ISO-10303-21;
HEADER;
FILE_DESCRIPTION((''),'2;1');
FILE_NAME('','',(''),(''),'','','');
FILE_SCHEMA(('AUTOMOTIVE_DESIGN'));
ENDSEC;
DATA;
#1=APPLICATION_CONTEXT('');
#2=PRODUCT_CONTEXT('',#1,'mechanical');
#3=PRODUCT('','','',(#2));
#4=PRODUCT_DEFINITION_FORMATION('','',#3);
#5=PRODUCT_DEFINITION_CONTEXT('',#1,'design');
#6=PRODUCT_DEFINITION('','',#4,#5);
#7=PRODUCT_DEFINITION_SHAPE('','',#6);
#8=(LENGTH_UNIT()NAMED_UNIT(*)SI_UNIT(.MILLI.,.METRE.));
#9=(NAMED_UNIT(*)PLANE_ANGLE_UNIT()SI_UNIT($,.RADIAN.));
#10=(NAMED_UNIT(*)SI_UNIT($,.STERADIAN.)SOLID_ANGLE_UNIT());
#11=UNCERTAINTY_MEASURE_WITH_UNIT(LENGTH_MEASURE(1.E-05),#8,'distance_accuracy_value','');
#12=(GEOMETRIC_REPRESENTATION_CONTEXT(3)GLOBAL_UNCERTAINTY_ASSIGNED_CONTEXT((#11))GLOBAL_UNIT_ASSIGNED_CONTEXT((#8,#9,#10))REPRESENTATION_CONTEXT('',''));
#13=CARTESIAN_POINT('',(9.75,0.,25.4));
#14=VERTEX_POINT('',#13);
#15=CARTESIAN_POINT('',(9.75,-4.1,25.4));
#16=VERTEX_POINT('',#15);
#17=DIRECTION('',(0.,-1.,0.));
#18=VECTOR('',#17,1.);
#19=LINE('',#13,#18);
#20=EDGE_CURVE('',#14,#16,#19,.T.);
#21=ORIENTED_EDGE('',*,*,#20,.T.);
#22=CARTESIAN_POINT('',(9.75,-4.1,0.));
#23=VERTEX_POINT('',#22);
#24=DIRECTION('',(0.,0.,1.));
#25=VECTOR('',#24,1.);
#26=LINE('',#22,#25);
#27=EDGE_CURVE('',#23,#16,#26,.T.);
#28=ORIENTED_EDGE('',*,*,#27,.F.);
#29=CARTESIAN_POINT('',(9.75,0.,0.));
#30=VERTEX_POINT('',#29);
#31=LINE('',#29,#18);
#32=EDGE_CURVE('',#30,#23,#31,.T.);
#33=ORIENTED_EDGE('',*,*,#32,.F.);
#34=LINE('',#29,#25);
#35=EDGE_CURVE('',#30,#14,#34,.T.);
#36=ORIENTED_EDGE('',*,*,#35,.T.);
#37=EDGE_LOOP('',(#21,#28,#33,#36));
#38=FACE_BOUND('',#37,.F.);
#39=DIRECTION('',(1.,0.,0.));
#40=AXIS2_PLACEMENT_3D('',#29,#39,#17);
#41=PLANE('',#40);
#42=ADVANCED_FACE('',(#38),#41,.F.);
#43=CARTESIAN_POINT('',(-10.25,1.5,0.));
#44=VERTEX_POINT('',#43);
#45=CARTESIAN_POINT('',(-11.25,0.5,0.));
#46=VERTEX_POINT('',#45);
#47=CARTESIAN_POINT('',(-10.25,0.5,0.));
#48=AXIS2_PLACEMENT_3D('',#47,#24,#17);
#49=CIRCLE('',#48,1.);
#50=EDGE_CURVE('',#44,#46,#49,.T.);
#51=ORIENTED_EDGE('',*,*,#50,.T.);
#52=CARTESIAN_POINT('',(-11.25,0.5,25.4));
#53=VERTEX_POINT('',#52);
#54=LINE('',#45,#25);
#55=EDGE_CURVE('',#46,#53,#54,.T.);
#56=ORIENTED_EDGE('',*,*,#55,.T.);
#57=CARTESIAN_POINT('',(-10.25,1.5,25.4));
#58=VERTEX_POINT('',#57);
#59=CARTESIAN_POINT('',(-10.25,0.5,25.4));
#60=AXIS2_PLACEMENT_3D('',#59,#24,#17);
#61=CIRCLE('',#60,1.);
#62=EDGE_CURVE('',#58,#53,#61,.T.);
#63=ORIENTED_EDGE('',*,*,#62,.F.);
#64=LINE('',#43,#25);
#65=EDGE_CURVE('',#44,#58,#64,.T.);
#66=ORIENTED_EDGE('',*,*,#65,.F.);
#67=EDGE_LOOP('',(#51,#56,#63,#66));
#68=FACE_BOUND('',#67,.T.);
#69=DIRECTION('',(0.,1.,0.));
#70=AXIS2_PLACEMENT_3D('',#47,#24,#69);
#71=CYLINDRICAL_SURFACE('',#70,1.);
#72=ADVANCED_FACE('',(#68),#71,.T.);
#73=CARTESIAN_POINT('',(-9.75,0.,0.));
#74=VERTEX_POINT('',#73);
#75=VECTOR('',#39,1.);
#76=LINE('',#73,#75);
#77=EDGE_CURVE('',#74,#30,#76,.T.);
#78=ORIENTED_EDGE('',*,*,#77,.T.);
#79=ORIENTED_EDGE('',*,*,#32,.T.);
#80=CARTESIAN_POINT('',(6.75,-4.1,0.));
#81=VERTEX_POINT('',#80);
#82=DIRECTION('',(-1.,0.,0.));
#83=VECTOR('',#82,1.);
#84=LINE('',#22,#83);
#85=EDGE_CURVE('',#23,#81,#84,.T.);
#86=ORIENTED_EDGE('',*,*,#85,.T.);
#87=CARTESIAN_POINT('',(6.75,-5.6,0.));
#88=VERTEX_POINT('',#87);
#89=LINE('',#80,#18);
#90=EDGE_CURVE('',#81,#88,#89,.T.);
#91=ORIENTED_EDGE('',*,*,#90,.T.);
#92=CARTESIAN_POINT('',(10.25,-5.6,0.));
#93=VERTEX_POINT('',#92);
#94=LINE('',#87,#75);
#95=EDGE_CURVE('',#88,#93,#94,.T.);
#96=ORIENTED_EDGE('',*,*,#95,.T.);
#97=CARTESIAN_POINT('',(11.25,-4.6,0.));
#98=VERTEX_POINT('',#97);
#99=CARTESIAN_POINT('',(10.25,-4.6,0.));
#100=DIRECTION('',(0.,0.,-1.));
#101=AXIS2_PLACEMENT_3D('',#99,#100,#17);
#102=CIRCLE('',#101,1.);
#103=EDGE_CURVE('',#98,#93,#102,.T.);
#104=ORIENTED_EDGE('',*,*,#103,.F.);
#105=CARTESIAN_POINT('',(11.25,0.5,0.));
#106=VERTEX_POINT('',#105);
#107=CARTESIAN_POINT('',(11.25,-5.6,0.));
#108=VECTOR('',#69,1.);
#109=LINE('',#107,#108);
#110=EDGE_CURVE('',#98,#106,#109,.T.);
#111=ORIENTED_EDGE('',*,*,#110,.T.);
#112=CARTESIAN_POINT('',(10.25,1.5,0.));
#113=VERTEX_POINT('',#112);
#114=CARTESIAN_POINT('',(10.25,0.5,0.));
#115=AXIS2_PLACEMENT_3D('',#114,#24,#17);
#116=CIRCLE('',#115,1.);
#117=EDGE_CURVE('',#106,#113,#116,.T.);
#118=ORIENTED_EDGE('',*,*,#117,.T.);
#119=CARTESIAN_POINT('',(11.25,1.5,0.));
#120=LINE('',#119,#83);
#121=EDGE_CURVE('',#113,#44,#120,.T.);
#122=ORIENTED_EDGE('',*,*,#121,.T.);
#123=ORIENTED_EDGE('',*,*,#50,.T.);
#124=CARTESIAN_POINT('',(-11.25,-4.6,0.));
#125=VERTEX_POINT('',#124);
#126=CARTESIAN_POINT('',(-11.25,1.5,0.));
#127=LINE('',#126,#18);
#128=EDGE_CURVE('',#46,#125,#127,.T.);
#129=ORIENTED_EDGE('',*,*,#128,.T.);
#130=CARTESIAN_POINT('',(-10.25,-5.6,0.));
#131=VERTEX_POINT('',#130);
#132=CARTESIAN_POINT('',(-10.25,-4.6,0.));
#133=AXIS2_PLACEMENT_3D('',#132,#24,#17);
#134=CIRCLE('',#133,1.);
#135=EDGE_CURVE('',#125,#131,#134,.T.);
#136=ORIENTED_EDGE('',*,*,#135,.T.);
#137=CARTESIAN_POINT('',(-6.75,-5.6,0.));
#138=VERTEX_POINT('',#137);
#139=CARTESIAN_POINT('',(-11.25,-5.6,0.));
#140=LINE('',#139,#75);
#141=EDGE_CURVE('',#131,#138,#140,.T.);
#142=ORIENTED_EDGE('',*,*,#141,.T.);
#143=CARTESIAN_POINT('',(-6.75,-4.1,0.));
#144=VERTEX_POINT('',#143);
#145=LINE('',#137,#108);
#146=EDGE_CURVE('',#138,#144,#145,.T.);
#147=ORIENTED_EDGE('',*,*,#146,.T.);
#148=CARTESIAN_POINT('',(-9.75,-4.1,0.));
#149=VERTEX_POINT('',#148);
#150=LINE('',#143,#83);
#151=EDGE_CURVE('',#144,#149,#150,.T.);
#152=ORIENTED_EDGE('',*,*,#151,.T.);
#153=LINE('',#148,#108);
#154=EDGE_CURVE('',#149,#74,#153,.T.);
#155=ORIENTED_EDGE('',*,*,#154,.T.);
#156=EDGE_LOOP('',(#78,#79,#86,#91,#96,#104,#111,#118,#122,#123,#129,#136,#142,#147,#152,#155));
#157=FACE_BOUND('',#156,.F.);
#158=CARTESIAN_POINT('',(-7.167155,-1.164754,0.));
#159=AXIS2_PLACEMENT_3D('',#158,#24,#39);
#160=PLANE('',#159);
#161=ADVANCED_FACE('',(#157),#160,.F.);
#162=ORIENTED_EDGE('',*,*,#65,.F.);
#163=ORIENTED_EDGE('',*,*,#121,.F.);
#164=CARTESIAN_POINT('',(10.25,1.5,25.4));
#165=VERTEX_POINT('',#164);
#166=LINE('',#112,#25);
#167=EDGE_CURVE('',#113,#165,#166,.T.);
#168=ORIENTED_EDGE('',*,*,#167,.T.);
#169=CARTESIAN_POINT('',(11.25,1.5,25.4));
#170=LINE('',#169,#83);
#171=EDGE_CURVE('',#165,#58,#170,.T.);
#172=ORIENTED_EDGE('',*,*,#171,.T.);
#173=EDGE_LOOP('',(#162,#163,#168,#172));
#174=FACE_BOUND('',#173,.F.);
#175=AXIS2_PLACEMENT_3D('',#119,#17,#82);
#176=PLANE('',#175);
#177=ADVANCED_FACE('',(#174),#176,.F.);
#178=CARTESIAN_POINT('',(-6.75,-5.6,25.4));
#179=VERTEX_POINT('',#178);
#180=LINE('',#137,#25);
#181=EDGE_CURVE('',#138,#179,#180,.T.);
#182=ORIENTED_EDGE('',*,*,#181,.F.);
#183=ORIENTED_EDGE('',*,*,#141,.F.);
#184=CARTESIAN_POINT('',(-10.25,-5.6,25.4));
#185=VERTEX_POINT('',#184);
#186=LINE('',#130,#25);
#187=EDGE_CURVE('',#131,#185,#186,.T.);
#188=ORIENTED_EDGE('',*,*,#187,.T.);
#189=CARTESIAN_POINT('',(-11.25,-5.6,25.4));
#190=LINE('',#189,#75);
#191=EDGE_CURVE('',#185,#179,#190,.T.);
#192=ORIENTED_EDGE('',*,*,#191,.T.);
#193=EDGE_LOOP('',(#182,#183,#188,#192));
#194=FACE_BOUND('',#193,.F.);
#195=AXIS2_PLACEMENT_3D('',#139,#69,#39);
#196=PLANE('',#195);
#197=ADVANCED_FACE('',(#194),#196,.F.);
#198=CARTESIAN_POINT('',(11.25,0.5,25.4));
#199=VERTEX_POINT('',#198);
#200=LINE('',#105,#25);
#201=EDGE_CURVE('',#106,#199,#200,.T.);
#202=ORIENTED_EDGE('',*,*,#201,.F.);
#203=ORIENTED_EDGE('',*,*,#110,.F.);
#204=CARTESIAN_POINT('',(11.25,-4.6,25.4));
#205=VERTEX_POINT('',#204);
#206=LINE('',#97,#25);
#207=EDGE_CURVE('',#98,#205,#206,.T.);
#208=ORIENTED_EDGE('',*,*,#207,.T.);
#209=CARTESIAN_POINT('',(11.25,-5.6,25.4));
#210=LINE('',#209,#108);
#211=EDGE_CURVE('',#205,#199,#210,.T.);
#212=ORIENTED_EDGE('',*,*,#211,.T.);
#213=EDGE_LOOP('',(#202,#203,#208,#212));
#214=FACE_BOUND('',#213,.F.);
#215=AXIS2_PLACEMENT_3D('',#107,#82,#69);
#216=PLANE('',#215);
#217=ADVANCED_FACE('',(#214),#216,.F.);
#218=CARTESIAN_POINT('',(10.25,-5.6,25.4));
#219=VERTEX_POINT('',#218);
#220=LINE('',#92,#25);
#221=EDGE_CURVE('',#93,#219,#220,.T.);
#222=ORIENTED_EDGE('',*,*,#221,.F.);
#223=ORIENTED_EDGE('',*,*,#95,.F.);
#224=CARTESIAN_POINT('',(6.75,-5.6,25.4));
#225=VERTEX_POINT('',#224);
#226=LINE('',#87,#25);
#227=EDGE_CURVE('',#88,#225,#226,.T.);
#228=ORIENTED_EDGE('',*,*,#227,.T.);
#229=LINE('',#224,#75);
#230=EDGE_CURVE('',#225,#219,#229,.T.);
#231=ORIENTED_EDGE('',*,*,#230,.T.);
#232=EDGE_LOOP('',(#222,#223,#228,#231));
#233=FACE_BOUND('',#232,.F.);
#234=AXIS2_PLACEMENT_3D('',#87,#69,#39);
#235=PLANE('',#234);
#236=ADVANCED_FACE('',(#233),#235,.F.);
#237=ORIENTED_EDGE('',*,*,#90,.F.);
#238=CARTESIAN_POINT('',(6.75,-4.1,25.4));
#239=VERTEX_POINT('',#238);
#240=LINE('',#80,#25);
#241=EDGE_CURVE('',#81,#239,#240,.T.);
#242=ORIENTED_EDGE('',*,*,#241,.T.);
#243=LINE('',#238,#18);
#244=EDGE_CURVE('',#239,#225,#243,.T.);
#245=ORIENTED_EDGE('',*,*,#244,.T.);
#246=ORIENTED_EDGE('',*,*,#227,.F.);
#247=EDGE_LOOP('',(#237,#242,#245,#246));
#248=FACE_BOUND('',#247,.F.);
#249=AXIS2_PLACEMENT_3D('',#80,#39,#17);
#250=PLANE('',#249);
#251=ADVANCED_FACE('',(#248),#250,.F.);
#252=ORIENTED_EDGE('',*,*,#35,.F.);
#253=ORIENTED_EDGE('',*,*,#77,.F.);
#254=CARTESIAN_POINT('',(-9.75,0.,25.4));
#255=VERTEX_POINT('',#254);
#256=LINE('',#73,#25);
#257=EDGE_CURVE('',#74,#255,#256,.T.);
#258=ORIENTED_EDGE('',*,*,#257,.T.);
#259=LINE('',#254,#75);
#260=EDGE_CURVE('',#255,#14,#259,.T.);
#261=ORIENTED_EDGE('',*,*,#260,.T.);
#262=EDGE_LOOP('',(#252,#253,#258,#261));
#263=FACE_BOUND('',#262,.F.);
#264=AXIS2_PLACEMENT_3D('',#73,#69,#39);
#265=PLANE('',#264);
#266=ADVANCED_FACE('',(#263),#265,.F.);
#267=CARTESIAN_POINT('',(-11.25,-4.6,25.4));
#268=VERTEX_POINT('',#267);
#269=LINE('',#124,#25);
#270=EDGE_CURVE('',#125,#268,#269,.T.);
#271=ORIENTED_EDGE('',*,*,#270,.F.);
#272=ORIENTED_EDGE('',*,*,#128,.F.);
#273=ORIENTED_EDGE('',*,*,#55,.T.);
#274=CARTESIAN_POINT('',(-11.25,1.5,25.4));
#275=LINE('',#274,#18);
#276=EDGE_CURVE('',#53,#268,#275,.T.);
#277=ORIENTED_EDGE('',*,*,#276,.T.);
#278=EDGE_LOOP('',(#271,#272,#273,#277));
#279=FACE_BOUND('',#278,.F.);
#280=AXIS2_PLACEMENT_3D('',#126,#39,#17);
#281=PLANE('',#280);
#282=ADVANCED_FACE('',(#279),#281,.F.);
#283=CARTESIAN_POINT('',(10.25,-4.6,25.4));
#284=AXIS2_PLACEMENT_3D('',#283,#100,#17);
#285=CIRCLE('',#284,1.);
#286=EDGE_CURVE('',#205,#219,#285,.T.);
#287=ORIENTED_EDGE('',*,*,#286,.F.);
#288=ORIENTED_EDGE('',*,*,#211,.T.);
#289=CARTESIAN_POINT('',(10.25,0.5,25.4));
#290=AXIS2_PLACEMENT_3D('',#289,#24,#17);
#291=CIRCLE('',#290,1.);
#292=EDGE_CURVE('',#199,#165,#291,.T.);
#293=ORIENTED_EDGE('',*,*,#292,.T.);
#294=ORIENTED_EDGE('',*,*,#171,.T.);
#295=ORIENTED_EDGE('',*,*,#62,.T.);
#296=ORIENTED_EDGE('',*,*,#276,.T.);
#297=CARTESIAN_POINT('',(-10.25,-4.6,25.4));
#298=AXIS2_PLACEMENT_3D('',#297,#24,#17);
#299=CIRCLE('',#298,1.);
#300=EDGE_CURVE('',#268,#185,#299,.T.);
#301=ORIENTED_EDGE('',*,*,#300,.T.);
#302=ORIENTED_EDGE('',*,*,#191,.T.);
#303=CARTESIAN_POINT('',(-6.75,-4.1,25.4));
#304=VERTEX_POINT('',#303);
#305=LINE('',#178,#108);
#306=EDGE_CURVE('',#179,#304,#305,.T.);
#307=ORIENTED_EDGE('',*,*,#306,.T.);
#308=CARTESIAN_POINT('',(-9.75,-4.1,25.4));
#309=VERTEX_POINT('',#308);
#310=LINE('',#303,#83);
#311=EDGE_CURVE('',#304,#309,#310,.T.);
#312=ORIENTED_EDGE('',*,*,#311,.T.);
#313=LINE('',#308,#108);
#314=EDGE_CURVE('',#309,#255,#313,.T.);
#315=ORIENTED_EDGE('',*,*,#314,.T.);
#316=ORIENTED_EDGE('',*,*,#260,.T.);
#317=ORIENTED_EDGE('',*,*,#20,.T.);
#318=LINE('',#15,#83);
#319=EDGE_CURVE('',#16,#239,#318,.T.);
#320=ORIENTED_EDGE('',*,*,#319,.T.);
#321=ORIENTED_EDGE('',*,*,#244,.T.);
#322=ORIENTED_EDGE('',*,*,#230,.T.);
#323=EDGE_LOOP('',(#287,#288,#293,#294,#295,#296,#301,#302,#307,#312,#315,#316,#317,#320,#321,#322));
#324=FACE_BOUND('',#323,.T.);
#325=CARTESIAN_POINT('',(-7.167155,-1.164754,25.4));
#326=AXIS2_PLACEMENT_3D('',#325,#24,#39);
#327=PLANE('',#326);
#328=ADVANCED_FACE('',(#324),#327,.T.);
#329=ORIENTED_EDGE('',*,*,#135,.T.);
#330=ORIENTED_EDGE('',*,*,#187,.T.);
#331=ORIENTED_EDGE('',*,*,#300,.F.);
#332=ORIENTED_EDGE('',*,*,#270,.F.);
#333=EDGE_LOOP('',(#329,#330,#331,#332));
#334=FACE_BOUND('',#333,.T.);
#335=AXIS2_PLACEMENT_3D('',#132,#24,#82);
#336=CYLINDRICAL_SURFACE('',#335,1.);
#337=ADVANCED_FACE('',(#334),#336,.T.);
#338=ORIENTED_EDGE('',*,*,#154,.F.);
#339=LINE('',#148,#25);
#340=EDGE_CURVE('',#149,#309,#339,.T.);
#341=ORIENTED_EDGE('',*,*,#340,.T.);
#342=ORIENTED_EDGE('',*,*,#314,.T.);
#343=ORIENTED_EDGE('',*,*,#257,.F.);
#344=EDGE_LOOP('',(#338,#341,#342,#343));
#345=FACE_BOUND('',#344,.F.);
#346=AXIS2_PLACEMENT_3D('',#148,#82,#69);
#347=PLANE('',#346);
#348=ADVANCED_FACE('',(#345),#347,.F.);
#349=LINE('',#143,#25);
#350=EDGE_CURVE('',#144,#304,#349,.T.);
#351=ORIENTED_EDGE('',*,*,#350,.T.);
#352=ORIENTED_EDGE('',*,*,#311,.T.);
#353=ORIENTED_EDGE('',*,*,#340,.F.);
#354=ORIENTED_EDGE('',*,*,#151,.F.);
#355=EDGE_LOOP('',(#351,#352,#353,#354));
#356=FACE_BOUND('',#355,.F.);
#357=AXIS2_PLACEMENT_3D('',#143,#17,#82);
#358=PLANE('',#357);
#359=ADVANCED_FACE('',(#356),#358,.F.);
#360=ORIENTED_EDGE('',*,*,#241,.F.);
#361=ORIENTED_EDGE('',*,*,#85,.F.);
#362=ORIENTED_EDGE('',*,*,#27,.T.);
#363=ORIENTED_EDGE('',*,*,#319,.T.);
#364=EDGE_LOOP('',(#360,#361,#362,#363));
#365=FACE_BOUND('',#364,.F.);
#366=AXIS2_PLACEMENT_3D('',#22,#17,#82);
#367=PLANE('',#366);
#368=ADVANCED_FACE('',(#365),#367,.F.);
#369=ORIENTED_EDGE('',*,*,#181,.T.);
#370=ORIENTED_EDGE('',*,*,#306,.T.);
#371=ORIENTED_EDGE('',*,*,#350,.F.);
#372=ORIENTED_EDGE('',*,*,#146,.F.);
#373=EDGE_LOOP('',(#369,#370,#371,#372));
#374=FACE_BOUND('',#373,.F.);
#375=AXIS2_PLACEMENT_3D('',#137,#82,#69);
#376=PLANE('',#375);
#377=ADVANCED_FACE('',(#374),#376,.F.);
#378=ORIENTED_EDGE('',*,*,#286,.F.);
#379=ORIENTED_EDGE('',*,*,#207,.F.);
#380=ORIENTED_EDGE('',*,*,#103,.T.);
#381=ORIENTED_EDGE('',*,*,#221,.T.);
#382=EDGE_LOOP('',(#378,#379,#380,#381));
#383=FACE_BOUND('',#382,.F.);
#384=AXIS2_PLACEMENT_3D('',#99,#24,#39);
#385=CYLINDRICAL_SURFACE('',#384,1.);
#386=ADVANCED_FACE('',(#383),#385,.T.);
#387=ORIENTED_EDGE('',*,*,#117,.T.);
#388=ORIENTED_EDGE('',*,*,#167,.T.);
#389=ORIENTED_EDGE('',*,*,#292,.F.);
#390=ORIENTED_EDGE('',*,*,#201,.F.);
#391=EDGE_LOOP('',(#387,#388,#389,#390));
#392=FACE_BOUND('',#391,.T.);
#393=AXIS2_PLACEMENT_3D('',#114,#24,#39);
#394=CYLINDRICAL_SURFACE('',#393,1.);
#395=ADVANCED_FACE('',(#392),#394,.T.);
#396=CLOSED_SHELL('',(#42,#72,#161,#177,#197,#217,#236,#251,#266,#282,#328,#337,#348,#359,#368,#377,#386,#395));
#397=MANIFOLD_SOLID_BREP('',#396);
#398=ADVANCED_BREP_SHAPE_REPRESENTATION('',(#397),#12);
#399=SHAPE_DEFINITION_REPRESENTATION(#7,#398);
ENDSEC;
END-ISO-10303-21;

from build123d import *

# Parameters (mm, degrees)
F1_DEPTH = 25.4
F2_R     = 1
F3_R     = 1


with BuildPart() as f1:
    # F0 (on Top) → F1 (new body)
    with BuildSketch(Plane.XY):
        Polygon((-9.75, 0), (0, 0), (0, 1.5), (-11.25, 1.5), (-11.25, -5.6), (-6.75, -5.6), (-6.75, -4.1), (-9.75, -4.1), align=None)
        Polygon((0, 1.5), (0, 0), (9.75, 0), (9.75, -4.1), (6.75, -4.1), (6.75, -5.6), (11.25, -5.6), (11.25, 1.5), align=None)
    extrude(amount=F1_DEPTH)

    # F2
    f2_edges = [f1.edges().sort_by_distance(p)[0] for p in [
        (-11.25, 1.5, 12.7),
        (11.25, 1.5, 12.7),
    ]]
    fillet(f2_edges, radius=F2_R)

    # F3
    f3_edges = [f1.edges().sort_by_distance(p)[0] for p in [
        (-11.25, -5.6, 12.7),
        (11.25, -5.6, 12.7),
    ]]
    fillet(f3_edges, radius=F3_R)


solid = f1.part
